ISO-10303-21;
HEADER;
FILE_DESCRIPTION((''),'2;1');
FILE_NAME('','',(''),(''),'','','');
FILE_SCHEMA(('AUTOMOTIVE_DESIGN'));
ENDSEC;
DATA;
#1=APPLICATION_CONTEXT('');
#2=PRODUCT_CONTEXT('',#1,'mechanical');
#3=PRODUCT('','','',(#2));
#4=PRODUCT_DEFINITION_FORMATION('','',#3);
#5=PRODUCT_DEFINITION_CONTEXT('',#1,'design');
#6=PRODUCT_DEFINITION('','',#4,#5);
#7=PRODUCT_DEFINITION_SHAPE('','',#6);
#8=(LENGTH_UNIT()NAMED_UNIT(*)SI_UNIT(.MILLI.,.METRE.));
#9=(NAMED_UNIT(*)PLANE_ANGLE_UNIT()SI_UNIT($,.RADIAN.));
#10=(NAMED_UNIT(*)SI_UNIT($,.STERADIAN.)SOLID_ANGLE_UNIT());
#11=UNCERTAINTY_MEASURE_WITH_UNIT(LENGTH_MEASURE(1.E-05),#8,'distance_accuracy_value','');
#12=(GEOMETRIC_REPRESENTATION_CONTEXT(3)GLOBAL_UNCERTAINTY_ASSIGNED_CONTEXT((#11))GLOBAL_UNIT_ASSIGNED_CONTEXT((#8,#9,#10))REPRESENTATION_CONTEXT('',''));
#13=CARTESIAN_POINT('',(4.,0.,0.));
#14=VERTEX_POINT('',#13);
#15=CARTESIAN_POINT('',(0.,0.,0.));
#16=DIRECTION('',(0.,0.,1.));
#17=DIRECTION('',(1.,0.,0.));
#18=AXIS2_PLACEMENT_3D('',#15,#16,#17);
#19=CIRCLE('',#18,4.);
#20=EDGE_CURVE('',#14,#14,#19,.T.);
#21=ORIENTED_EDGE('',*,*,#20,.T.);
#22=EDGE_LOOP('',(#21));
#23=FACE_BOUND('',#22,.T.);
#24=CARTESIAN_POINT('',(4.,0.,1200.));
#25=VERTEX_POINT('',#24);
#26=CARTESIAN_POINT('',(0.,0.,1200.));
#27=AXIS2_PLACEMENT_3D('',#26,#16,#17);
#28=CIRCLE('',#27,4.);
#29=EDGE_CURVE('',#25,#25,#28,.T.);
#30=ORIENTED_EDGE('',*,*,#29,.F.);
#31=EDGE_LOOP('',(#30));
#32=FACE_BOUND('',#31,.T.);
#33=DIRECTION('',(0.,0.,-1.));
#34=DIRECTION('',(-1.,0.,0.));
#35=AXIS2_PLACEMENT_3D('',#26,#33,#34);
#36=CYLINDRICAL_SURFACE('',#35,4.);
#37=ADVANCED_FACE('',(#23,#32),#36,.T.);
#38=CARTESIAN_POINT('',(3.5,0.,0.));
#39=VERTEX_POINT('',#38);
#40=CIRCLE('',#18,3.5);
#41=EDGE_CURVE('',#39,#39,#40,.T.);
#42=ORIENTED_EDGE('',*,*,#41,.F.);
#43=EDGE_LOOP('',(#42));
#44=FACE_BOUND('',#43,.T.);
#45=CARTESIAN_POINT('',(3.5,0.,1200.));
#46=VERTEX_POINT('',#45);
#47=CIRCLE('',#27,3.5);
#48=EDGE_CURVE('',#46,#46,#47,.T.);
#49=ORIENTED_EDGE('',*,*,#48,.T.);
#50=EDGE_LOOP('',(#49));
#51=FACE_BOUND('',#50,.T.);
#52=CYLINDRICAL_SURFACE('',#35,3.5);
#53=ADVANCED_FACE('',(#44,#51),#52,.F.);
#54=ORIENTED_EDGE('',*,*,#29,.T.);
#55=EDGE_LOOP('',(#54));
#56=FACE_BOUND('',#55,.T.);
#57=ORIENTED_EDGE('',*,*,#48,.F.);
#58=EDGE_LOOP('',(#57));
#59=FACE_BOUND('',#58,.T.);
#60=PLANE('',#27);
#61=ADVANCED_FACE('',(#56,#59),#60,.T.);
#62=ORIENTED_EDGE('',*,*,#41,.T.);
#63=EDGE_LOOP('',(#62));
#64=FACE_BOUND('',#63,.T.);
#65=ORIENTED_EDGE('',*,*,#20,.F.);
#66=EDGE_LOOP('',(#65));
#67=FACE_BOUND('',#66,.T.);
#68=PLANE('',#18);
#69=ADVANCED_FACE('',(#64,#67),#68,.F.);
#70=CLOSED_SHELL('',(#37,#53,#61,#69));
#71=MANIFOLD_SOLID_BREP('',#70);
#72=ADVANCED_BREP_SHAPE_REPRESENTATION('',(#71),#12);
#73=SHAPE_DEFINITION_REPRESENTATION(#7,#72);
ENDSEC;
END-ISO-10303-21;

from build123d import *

# Parameters (mm, degrees)
SKETCH1_R           = 4
SKETCH1_R_2         = 3.5
BOSS_EXTRUDE1_DEPTH = 1200


with BuildPart() as part:
    # Sketch1 → Boss-Extrude1 (new body)
    with BuildSketch(Plane.XY):
        Circle(SKETCH1_R)
        Circle(SKETCH1_R_2, mode=Mode.SUBTRACT)
    extrude(amount=BOSS_EXTRUDE1_DEPTH)


solid = part.part
